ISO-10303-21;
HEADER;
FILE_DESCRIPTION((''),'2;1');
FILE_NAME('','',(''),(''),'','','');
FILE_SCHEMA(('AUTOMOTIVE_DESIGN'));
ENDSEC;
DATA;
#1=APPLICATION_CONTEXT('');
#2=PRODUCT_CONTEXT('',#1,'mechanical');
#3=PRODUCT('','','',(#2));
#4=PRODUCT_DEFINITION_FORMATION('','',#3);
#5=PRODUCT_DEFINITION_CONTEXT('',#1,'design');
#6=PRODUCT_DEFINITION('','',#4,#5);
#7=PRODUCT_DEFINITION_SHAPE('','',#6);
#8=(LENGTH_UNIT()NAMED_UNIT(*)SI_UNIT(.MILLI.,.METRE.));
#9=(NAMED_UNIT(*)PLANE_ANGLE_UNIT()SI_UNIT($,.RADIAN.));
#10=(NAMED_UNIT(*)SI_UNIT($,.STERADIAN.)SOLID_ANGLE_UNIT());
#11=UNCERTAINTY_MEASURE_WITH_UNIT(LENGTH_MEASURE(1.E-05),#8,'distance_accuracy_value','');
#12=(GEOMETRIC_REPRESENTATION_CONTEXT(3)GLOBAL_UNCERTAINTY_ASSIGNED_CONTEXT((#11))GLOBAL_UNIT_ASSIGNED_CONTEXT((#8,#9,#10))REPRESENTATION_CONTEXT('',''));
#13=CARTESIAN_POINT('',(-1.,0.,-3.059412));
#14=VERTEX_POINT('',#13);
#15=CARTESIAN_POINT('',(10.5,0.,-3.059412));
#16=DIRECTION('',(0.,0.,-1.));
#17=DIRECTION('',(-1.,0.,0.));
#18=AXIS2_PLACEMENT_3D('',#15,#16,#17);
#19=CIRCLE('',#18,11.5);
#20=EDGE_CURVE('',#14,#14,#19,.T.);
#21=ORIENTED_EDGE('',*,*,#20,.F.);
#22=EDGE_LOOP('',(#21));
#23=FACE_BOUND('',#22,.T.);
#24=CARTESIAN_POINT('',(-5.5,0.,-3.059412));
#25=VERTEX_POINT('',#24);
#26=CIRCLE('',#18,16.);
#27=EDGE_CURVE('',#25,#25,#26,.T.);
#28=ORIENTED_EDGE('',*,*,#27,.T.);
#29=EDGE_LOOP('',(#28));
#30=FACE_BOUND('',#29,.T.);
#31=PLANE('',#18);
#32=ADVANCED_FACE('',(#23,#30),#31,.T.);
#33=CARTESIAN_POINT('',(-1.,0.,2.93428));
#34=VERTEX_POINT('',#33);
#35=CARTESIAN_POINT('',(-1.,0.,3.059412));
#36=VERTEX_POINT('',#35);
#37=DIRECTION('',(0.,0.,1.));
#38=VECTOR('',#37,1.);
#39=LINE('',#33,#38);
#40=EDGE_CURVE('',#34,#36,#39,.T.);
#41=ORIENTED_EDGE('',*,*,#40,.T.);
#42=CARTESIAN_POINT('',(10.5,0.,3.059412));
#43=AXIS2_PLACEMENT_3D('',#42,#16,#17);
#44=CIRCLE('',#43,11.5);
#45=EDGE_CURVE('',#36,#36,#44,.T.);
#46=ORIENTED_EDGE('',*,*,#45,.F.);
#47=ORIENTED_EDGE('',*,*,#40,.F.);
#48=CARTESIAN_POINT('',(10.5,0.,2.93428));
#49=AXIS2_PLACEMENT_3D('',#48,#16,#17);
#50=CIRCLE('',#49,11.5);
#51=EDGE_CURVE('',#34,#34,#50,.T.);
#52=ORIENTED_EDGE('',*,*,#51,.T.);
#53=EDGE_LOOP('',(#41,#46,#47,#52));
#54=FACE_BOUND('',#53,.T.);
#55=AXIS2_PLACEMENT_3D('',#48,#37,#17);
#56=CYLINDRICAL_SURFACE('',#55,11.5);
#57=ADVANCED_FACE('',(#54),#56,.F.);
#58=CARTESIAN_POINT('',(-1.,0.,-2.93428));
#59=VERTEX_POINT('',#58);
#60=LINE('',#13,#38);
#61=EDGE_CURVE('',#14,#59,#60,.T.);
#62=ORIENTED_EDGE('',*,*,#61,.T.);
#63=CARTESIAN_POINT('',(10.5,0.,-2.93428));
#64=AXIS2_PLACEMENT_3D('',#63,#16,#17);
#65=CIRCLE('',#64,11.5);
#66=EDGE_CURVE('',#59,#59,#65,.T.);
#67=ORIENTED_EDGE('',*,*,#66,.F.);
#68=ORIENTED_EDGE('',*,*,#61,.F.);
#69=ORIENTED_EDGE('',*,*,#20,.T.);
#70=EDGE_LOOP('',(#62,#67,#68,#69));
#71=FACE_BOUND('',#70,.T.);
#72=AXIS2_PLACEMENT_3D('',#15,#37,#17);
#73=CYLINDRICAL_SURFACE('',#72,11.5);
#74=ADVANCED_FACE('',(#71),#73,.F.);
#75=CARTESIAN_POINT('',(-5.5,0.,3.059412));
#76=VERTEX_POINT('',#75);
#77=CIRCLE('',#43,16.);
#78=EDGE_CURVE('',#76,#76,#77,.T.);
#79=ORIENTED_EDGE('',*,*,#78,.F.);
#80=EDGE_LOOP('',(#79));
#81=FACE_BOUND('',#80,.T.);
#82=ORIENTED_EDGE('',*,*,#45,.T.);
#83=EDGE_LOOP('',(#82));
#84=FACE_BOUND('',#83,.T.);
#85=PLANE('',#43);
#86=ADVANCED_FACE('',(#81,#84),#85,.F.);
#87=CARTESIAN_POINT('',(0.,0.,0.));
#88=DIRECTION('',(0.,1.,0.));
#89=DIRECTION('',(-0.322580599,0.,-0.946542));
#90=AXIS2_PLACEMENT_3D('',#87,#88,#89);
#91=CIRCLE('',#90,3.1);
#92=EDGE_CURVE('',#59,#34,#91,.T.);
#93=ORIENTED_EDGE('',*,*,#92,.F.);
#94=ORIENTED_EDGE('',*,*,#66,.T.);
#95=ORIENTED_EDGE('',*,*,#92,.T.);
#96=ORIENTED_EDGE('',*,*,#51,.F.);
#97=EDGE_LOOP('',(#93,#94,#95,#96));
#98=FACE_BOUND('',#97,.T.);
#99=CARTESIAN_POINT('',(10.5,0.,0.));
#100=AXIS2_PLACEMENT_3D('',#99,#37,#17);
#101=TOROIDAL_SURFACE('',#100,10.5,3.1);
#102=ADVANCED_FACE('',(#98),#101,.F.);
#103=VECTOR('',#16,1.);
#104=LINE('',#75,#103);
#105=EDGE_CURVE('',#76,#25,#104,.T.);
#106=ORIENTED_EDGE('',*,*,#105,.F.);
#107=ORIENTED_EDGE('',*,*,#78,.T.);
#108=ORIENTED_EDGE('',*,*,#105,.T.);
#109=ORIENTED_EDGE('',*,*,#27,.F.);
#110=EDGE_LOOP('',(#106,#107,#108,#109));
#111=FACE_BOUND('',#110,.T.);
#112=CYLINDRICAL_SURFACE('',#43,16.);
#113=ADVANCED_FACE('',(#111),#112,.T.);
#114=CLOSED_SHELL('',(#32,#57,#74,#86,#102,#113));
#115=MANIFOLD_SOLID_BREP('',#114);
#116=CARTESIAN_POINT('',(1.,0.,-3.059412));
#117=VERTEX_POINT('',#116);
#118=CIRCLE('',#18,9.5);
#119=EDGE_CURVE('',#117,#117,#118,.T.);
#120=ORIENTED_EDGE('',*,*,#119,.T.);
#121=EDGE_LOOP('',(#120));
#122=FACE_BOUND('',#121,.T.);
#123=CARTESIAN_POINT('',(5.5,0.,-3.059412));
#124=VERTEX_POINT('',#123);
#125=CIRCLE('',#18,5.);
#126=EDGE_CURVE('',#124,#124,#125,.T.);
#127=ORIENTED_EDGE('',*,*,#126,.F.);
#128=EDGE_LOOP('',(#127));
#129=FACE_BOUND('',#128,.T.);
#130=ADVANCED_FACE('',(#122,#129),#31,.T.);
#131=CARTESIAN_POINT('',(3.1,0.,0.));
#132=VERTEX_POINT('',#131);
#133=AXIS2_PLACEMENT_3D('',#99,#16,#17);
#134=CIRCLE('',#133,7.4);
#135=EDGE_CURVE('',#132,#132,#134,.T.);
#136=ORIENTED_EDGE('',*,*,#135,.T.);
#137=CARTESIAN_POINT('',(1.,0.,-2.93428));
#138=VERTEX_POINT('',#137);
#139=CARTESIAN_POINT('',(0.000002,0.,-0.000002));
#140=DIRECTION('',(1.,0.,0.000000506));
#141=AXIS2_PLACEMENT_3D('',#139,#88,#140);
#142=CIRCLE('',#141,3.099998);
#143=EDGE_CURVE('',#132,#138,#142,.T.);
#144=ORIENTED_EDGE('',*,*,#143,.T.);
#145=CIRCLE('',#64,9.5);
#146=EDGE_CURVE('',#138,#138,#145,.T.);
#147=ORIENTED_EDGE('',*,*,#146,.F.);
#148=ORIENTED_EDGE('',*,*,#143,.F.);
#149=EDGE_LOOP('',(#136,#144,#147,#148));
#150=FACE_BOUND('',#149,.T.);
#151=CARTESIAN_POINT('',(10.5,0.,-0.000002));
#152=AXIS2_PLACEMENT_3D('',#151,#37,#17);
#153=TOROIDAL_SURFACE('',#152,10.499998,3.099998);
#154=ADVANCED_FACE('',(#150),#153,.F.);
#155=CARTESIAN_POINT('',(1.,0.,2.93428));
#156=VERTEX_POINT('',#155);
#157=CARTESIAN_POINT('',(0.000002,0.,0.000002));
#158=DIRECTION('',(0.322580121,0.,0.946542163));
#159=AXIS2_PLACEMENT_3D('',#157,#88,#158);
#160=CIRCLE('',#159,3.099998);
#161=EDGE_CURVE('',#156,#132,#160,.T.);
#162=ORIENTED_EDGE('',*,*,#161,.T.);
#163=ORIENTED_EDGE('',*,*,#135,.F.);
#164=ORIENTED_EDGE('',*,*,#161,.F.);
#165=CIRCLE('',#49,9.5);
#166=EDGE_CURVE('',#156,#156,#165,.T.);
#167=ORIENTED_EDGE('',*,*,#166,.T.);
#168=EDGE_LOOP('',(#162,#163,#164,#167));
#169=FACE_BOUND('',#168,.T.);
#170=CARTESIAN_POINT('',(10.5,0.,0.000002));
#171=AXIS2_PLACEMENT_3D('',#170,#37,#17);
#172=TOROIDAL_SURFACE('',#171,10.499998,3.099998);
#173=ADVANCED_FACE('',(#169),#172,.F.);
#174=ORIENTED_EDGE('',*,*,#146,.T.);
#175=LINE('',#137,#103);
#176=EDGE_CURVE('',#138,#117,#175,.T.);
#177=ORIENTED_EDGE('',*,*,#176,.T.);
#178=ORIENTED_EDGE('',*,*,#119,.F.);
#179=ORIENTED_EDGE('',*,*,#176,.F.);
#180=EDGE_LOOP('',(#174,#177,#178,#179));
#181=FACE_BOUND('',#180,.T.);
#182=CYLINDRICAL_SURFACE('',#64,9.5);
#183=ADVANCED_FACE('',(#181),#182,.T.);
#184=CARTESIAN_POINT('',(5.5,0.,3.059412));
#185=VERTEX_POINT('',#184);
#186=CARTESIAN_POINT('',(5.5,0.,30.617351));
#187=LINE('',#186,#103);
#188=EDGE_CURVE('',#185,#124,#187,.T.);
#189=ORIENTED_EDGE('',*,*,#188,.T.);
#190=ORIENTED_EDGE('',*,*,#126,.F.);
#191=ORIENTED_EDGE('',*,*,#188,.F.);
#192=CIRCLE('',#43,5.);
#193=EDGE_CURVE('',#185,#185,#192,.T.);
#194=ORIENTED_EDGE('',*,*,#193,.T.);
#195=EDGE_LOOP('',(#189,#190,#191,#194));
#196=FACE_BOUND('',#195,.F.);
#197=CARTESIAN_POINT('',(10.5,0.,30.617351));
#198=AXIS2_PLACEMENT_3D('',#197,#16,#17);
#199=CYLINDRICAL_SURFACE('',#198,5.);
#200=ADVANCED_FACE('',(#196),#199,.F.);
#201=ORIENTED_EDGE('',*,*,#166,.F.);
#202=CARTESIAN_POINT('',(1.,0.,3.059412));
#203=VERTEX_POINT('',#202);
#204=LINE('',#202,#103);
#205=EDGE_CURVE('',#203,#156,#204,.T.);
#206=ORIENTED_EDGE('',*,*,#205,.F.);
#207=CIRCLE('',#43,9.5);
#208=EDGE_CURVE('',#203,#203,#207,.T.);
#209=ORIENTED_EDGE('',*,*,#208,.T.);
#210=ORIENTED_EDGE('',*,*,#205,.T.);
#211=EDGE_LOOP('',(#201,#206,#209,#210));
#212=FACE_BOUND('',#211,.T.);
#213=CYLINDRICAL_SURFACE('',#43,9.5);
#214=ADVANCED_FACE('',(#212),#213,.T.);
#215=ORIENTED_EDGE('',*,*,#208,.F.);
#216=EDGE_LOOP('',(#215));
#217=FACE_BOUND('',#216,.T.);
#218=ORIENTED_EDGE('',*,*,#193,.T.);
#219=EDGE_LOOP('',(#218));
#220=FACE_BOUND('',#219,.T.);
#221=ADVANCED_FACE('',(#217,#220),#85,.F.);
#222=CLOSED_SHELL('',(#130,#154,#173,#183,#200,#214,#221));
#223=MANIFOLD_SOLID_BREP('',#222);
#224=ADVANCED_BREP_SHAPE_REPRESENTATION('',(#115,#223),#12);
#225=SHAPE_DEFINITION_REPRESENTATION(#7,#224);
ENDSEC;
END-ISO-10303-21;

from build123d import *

# Parameters (mm, degrees)
F4_D = 10


with BuildPart() as f1:
    # F0 (on Front) → F1 (revolve)
    with BuildSketch(Plane.XZ):
        with BuildLine():
            Line((1, 3.059412), (1, 2.93428))
            ThreePointArc((1, 2.93428), (2.520913, 1.804162), (3.1, 0))
            ThreePointArc((3.1, 0), (2.520913, -1.804162), (1, -2.93428))
            Line((1, -2.93428), (1, -3.059412))
            Line((1, -3.059412), (10.5, -3.059412))
            Line((10.5, -3.059412), (10.5, 3.059412))
            Line((10.5, 3.059412), (1, 3.059412))
        make_face()
    revolve(axis=Axis((10.5, 0, 0), (0, 0, -1)))

    # F4 (through all)
    with Locations(Plane.XY.offset(3.059412)):
        with Locations((10.5, 0)):
            Hole(F4_D / 2)


with BuildPart() as f2:
    # F0 (on Front) → F2 (revolve)
    with BuildSketch(Plane.XZ):
        with BuildLine():
            ThreePointArc((-1, -2.93428), (-3.1, 0), (-1, 2.93428))
            Line((-1, 2.93428), (-1, 3.059412))
            Line((-1, 3.059412), (-5.5, 3.059412))
            Line((-5.5, 3.059412), (-5.5, -3.059412))
            Line((-5.5, -3.059412), (-1, -3.059412))
            Line((-1, -3.059412), (-1, -2.93428))
        make_face()
    revolve(axis=Axis((10.5, 0, 0), (0, 0, -1)))


solid = Compound([f1.part, f2.part])
